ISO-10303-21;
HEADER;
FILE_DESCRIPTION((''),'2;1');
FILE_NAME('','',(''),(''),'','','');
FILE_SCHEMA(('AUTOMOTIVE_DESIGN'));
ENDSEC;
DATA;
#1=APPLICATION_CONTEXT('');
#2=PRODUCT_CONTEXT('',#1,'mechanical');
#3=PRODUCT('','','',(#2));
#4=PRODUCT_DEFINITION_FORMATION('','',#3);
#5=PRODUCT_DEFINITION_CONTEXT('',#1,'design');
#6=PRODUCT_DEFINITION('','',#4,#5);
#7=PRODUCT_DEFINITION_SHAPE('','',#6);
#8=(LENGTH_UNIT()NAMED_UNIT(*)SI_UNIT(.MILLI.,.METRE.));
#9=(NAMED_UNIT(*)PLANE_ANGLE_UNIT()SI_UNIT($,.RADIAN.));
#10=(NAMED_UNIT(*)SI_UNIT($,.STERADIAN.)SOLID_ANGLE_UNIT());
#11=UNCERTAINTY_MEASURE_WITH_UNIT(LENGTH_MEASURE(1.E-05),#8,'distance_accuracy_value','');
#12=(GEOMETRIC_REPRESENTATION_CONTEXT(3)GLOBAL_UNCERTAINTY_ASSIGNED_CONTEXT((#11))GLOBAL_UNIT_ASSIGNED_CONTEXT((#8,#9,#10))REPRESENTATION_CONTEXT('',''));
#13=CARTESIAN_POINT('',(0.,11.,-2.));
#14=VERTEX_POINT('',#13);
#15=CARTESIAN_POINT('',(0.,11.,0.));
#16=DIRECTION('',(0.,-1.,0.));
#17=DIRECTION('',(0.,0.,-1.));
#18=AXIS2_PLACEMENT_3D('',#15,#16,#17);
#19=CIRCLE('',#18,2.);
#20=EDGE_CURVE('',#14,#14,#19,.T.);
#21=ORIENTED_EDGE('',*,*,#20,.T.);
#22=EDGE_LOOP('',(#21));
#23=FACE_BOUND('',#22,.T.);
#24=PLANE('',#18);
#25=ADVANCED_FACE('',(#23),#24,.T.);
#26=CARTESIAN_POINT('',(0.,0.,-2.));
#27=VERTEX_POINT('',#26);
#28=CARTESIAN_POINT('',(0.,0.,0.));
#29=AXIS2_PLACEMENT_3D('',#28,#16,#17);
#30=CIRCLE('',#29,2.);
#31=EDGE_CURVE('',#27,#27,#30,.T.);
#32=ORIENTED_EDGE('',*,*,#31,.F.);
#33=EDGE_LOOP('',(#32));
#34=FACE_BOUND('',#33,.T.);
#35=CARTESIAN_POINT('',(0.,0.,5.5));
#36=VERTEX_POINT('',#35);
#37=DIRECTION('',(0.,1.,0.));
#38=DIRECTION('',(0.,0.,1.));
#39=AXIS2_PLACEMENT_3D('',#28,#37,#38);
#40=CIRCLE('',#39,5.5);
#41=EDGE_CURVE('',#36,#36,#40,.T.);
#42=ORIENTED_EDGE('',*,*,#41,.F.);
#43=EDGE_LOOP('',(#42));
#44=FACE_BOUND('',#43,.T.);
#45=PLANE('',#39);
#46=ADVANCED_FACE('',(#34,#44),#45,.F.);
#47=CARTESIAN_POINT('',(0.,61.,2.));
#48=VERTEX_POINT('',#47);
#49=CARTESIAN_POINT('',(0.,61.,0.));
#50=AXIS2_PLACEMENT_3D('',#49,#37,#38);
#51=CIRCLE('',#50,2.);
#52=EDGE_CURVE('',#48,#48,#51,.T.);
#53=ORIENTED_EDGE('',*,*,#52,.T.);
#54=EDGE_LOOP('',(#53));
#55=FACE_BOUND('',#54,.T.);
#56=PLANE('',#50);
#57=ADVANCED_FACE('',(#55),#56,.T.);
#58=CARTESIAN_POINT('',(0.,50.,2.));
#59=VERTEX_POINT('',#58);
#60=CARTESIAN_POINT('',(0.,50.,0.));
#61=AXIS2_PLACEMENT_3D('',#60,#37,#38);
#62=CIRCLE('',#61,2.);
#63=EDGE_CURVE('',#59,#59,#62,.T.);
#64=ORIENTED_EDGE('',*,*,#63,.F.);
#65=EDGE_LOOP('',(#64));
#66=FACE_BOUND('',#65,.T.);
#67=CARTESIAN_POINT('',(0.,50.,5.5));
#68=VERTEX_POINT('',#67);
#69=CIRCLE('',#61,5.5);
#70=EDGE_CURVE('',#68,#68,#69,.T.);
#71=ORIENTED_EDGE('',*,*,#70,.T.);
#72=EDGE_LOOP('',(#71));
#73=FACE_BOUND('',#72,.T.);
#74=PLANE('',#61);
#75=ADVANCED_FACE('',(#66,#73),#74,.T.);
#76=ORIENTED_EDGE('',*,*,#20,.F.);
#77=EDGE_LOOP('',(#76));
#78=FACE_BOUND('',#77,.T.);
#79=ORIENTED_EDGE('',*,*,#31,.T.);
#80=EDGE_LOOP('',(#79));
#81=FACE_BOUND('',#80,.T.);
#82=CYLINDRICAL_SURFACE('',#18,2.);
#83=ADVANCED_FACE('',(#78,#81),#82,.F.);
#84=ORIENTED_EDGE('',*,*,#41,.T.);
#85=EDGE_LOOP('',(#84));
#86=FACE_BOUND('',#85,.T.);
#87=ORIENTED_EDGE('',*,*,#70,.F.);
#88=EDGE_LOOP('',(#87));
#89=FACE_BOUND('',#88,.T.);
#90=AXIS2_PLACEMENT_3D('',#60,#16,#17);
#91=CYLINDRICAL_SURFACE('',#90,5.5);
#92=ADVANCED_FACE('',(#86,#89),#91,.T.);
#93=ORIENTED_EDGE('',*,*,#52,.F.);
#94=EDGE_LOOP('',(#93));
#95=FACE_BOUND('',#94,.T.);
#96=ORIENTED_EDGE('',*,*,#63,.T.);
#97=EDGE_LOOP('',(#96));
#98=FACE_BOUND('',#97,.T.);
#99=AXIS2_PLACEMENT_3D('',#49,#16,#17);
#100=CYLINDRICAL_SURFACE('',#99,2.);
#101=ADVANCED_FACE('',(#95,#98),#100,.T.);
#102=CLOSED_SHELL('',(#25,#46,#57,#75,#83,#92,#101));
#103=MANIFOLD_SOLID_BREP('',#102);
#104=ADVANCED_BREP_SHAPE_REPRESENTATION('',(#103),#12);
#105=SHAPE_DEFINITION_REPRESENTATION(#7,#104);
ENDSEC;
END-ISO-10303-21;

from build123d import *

# Parameters (mm, degrees)
ESQUISSE1_R             = 5.5
BOSS_EXTRU_1_DEPTH      = 50
ESQUISSE2_R             = 2
BOSS_EXTRU_2_DEPTH      = 11
ESQUISSE3_R             = 2
ENL_V_MAT_EXTRU_1_DEPTH = 11


with BuildPart() as part:
    # Esquisse1 → Boss.-Extru.1 (new body)
    with BuildSketch(Plane(origin=(0, 0, 0), x_dir=(1, 0, 0), z_dir=(0, 1, 0))):
        Circle(ESQUISSE1_R)
    extrude(amount=BOSS_EXTRU_1_DEPTH)

    # Esquisse2 → Boss.-Extru.2 (add)
    with BuildSketch(Plane(origin=(0, 50, 0), x_dir=(1, 0, 0), z_dir=(0, 1, 0))):
        Circle(ESQUISSE2_R)
    extrude(amount=BOSS_EXTRU_2_DEPTH)

    # Esquisse3 → Enlèv. mat.-Extru.1 (cut)
    with BuildSketch(Plane.XZ):
        Circle(ESQUISSE3_R)
    extrude(amount=-ENL_V_MAT_EXTRU_1_DEPTH, mode=Mode.SUBTRACT)


solid = part.part
